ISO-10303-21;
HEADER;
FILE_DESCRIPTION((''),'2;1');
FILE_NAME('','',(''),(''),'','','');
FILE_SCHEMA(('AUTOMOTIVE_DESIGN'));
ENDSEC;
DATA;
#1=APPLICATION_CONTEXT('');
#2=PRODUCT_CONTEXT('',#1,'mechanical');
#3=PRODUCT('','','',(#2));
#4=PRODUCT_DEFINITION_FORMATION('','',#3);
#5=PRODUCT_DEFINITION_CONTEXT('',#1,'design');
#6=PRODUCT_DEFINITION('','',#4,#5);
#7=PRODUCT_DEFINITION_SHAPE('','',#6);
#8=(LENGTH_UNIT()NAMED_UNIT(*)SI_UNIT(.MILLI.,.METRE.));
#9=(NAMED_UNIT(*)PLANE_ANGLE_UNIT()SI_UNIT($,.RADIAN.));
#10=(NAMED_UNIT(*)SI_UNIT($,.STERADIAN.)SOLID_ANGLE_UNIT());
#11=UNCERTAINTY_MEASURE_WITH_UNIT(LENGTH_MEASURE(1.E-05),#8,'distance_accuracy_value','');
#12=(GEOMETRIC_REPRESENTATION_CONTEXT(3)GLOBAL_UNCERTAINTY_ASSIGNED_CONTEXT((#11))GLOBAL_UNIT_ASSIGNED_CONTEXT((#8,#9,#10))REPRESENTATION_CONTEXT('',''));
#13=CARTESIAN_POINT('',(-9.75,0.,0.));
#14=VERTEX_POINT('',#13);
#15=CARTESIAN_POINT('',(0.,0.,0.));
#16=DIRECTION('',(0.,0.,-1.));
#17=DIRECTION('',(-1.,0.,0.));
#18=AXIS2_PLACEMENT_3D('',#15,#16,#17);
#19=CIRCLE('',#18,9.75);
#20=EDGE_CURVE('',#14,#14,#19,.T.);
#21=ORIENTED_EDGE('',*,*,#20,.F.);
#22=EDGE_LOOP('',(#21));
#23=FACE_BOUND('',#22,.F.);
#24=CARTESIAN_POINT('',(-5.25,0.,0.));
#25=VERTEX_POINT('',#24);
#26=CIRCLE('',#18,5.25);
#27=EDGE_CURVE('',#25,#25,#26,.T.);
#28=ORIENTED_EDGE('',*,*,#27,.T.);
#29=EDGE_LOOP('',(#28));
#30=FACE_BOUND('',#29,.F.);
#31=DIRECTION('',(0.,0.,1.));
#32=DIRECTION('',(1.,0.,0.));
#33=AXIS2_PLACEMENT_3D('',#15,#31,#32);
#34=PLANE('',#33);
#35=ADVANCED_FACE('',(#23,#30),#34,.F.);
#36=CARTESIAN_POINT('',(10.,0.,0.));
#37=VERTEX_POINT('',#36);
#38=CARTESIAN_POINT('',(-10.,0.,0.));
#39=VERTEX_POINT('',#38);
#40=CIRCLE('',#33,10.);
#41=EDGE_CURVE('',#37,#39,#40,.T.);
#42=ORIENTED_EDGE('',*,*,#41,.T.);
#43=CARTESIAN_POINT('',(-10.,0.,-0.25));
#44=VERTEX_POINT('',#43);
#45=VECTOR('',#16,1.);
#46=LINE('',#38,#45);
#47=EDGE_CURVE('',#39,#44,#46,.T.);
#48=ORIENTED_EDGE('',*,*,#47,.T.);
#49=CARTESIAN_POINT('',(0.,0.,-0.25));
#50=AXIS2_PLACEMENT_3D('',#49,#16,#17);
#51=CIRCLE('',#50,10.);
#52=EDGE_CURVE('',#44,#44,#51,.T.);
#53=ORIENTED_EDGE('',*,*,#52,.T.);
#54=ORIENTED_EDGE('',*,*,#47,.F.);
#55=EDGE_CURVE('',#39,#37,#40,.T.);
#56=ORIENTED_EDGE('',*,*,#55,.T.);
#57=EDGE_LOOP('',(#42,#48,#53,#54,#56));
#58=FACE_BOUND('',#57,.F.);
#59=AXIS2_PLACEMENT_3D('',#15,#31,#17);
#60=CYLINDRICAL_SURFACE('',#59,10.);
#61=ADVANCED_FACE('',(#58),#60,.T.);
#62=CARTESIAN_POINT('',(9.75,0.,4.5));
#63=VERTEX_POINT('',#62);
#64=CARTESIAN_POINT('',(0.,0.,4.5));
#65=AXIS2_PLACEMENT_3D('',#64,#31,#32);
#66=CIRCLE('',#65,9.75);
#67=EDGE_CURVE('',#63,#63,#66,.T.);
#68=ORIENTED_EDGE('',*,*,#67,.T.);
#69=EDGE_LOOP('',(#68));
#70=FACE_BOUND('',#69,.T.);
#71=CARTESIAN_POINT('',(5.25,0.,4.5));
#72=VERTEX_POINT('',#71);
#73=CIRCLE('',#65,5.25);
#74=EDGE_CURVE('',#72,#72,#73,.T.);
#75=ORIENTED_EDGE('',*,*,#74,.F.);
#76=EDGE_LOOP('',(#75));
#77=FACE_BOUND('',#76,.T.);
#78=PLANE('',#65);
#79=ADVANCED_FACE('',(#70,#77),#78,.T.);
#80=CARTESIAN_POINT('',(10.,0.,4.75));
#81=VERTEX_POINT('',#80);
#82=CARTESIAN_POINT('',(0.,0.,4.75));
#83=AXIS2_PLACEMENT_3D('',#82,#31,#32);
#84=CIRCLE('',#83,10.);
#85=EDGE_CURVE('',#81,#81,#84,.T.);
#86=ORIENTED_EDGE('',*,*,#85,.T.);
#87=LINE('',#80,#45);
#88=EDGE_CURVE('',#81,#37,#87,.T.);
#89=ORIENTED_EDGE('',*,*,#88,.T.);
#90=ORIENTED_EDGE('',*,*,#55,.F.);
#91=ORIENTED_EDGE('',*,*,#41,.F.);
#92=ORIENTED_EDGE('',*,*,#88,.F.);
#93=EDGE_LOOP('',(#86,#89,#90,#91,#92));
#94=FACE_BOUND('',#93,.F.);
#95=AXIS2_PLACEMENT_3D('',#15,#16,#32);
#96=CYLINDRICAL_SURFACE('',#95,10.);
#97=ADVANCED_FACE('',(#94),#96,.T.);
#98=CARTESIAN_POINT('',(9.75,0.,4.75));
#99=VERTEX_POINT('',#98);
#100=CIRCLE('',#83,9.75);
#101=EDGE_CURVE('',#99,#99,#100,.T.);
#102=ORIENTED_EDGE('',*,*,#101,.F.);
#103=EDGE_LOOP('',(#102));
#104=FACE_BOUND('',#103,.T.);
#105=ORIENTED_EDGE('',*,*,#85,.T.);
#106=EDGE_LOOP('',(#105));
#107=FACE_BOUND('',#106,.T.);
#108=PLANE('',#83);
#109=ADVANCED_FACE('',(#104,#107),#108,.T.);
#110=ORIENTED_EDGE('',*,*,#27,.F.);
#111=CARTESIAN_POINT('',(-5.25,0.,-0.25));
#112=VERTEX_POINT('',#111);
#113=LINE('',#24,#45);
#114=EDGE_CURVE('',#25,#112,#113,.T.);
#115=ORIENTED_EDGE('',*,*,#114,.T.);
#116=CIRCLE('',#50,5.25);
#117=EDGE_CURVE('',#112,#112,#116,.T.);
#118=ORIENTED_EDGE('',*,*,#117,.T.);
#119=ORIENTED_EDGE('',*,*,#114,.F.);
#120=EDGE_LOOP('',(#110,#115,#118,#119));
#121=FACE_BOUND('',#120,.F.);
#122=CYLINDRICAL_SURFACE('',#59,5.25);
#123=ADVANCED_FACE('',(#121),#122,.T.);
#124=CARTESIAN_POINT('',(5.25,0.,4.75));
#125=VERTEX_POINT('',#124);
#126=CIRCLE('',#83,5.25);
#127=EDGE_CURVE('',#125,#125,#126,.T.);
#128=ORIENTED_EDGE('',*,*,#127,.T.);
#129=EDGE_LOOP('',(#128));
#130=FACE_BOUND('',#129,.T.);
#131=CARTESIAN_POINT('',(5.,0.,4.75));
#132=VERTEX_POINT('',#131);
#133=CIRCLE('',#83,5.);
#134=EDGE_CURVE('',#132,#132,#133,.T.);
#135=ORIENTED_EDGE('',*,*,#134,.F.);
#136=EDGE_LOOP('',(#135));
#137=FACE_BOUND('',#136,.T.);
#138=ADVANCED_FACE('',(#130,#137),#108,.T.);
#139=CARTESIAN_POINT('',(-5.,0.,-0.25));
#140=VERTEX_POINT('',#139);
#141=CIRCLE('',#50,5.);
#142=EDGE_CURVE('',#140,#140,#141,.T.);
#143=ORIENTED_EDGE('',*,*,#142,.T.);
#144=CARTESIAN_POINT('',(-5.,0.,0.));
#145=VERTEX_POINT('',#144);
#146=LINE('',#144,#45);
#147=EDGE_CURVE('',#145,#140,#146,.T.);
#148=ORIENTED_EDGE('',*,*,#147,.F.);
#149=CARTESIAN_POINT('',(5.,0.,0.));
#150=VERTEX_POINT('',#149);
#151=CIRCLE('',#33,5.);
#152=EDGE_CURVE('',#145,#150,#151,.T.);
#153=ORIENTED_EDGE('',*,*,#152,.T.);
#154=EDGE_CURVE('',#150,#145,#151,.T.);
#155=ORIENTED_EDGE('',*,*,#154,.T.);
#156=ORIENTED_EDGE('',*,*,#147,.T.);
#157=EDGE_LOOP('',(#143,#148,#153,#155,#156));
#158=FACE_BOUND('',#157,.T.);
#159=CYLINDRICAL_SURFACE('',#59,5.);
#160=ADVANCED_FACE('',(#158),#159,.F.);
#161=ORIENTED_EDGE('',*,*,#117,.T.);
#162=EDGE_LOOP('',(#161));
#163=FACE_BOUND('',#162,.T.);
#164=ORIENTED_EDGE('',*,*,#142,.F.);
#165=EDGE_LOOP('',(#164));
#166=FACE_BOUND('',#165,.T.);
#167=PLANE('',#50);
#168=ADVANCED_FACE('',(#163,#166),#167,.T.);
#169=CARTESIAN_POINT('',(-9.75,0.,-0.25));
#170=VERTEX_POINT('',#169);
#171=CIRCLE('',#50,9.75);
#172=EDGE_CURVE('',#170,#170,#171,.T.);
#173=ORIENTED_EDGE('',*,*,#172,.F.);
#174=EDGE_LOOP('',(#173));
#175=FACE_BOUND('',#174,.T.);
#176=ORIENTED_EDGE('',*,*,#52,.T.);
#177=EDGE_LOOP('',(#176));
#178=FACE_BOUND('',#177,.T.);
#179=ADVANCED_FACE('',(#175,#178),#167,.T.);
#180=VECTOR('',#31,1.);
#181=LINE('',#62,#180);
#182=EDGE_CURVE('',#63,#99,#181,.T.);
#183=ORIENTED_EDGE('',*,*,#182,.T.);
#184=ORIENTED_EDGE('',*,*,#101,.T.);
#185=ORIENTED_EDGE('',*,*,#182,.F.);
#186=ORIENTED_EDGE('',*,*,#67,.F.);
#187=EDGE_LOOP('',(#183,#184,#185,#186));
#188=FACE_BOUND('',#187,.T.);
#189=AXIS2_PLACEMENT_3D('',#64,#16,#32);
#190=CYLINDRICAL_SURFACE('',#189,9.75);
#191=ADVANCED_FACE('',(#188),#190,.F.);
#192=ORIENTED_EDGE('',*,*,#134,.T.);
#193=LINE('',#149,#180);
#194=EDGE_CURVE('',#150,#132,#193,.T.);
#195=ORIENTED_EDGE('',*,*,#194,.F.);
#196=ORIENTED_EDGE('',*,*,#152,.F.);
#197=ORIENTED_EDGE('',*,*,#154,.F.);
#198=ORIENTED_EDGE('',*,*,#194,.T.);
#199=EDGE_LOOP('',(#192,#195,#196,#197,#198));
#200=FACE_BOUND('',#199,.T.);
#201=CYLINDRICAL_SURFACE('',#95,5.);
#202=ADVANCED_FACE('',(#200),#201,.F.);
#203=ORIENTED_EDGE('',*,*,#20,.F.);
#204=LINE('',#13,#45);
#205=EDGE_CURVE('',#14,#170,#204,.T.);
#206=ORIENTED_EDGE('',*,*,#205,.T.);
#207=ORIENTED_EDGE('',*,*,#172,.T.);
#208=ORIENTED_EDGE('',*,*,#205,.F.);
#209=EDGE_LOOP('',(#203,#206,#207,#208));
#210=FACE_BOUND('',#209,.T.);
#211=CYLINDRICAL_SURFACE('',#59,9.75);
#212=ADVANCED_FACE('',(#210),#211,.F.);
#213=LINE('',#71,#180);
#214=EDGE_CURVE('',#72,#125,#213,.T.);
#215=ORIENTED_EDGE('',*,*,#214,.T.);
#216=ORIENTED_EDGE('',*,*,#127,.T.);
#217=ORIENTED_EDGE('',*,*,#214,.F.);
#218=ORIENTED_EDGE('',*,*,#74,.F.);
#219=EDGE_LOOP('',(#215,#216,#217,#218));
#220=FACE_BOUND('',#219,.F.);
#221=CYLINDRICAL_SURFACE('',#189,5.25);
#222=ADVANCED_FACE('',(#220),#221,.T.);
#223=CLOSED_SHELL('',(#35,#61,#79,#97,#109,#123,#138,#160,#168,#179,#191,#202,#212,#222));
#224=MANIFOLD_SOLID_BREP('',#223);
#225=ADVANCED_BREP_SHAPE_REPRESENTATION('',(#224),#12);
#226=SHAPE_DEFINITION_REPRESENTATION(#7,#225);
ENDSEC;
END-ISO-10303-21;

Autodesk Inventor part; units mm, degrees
ref_plane "YZ Plane" through (0, 0, 0) normal (1, 0, 0) x (0, 1, 0)
ref_plane "XZ Plane" through (0, 0, 0) normal (0, 1, 0) x (-1, 0, 0)
ref_plane "XY Plane" through (0, 0, 0) normal (0, 0, 1) x (1, 0, 0)
sketch "Sketch1" plane through (0, 0, 0) normal (0, 0, 1) x (1, 0, 0)
  circle A0 centre (0, 0) radius 5
  circle A1 centre (0, 0) radius 10
  dimension "d0" = 10
  dimension "d1" = 20
extrude "Extrusion1" add sketch "Sketch1" along normal blind 4.5
sketch "Sketch2" plane through (0, 0, 4.5) normal (0, 0, 1) x (1, 0, 0)
  circle A0 centre (0, 0) radius 10
  circle A1 centre (0, 0) radius 9.75
  circle A2 centre (0, 0) radius 5
  circle A3 centre (0, 0) radius 5.25
  dimension "d4" = 19.5
  dimension "d5" = 10
  dimension "d6" = 10.5
extrude "Extrusion2" add sketch "Sketch2" along normal blind 0.25
sketch "Sketch3" plane through (0, 0, 0) normal (0, 0, -1) x (-1, 0, 0)
  circle A0 centre (0, 0) radius 10
  circle A1 centre (0, 0) radius 9.75
  circle A2 centre (0, 0) radius 5
  circle A3 centre (0, 0) radius 5.25
  dimension "d9" = 20
  dimension "d10" = 19.5
  dimension "d11" = 10
  dimension "d12" = 10.5
extrude "Extrusion3" add sketch "Sketch3" along normal blind 0.25
properties part number "bearing" material "Aluminum 6061"
